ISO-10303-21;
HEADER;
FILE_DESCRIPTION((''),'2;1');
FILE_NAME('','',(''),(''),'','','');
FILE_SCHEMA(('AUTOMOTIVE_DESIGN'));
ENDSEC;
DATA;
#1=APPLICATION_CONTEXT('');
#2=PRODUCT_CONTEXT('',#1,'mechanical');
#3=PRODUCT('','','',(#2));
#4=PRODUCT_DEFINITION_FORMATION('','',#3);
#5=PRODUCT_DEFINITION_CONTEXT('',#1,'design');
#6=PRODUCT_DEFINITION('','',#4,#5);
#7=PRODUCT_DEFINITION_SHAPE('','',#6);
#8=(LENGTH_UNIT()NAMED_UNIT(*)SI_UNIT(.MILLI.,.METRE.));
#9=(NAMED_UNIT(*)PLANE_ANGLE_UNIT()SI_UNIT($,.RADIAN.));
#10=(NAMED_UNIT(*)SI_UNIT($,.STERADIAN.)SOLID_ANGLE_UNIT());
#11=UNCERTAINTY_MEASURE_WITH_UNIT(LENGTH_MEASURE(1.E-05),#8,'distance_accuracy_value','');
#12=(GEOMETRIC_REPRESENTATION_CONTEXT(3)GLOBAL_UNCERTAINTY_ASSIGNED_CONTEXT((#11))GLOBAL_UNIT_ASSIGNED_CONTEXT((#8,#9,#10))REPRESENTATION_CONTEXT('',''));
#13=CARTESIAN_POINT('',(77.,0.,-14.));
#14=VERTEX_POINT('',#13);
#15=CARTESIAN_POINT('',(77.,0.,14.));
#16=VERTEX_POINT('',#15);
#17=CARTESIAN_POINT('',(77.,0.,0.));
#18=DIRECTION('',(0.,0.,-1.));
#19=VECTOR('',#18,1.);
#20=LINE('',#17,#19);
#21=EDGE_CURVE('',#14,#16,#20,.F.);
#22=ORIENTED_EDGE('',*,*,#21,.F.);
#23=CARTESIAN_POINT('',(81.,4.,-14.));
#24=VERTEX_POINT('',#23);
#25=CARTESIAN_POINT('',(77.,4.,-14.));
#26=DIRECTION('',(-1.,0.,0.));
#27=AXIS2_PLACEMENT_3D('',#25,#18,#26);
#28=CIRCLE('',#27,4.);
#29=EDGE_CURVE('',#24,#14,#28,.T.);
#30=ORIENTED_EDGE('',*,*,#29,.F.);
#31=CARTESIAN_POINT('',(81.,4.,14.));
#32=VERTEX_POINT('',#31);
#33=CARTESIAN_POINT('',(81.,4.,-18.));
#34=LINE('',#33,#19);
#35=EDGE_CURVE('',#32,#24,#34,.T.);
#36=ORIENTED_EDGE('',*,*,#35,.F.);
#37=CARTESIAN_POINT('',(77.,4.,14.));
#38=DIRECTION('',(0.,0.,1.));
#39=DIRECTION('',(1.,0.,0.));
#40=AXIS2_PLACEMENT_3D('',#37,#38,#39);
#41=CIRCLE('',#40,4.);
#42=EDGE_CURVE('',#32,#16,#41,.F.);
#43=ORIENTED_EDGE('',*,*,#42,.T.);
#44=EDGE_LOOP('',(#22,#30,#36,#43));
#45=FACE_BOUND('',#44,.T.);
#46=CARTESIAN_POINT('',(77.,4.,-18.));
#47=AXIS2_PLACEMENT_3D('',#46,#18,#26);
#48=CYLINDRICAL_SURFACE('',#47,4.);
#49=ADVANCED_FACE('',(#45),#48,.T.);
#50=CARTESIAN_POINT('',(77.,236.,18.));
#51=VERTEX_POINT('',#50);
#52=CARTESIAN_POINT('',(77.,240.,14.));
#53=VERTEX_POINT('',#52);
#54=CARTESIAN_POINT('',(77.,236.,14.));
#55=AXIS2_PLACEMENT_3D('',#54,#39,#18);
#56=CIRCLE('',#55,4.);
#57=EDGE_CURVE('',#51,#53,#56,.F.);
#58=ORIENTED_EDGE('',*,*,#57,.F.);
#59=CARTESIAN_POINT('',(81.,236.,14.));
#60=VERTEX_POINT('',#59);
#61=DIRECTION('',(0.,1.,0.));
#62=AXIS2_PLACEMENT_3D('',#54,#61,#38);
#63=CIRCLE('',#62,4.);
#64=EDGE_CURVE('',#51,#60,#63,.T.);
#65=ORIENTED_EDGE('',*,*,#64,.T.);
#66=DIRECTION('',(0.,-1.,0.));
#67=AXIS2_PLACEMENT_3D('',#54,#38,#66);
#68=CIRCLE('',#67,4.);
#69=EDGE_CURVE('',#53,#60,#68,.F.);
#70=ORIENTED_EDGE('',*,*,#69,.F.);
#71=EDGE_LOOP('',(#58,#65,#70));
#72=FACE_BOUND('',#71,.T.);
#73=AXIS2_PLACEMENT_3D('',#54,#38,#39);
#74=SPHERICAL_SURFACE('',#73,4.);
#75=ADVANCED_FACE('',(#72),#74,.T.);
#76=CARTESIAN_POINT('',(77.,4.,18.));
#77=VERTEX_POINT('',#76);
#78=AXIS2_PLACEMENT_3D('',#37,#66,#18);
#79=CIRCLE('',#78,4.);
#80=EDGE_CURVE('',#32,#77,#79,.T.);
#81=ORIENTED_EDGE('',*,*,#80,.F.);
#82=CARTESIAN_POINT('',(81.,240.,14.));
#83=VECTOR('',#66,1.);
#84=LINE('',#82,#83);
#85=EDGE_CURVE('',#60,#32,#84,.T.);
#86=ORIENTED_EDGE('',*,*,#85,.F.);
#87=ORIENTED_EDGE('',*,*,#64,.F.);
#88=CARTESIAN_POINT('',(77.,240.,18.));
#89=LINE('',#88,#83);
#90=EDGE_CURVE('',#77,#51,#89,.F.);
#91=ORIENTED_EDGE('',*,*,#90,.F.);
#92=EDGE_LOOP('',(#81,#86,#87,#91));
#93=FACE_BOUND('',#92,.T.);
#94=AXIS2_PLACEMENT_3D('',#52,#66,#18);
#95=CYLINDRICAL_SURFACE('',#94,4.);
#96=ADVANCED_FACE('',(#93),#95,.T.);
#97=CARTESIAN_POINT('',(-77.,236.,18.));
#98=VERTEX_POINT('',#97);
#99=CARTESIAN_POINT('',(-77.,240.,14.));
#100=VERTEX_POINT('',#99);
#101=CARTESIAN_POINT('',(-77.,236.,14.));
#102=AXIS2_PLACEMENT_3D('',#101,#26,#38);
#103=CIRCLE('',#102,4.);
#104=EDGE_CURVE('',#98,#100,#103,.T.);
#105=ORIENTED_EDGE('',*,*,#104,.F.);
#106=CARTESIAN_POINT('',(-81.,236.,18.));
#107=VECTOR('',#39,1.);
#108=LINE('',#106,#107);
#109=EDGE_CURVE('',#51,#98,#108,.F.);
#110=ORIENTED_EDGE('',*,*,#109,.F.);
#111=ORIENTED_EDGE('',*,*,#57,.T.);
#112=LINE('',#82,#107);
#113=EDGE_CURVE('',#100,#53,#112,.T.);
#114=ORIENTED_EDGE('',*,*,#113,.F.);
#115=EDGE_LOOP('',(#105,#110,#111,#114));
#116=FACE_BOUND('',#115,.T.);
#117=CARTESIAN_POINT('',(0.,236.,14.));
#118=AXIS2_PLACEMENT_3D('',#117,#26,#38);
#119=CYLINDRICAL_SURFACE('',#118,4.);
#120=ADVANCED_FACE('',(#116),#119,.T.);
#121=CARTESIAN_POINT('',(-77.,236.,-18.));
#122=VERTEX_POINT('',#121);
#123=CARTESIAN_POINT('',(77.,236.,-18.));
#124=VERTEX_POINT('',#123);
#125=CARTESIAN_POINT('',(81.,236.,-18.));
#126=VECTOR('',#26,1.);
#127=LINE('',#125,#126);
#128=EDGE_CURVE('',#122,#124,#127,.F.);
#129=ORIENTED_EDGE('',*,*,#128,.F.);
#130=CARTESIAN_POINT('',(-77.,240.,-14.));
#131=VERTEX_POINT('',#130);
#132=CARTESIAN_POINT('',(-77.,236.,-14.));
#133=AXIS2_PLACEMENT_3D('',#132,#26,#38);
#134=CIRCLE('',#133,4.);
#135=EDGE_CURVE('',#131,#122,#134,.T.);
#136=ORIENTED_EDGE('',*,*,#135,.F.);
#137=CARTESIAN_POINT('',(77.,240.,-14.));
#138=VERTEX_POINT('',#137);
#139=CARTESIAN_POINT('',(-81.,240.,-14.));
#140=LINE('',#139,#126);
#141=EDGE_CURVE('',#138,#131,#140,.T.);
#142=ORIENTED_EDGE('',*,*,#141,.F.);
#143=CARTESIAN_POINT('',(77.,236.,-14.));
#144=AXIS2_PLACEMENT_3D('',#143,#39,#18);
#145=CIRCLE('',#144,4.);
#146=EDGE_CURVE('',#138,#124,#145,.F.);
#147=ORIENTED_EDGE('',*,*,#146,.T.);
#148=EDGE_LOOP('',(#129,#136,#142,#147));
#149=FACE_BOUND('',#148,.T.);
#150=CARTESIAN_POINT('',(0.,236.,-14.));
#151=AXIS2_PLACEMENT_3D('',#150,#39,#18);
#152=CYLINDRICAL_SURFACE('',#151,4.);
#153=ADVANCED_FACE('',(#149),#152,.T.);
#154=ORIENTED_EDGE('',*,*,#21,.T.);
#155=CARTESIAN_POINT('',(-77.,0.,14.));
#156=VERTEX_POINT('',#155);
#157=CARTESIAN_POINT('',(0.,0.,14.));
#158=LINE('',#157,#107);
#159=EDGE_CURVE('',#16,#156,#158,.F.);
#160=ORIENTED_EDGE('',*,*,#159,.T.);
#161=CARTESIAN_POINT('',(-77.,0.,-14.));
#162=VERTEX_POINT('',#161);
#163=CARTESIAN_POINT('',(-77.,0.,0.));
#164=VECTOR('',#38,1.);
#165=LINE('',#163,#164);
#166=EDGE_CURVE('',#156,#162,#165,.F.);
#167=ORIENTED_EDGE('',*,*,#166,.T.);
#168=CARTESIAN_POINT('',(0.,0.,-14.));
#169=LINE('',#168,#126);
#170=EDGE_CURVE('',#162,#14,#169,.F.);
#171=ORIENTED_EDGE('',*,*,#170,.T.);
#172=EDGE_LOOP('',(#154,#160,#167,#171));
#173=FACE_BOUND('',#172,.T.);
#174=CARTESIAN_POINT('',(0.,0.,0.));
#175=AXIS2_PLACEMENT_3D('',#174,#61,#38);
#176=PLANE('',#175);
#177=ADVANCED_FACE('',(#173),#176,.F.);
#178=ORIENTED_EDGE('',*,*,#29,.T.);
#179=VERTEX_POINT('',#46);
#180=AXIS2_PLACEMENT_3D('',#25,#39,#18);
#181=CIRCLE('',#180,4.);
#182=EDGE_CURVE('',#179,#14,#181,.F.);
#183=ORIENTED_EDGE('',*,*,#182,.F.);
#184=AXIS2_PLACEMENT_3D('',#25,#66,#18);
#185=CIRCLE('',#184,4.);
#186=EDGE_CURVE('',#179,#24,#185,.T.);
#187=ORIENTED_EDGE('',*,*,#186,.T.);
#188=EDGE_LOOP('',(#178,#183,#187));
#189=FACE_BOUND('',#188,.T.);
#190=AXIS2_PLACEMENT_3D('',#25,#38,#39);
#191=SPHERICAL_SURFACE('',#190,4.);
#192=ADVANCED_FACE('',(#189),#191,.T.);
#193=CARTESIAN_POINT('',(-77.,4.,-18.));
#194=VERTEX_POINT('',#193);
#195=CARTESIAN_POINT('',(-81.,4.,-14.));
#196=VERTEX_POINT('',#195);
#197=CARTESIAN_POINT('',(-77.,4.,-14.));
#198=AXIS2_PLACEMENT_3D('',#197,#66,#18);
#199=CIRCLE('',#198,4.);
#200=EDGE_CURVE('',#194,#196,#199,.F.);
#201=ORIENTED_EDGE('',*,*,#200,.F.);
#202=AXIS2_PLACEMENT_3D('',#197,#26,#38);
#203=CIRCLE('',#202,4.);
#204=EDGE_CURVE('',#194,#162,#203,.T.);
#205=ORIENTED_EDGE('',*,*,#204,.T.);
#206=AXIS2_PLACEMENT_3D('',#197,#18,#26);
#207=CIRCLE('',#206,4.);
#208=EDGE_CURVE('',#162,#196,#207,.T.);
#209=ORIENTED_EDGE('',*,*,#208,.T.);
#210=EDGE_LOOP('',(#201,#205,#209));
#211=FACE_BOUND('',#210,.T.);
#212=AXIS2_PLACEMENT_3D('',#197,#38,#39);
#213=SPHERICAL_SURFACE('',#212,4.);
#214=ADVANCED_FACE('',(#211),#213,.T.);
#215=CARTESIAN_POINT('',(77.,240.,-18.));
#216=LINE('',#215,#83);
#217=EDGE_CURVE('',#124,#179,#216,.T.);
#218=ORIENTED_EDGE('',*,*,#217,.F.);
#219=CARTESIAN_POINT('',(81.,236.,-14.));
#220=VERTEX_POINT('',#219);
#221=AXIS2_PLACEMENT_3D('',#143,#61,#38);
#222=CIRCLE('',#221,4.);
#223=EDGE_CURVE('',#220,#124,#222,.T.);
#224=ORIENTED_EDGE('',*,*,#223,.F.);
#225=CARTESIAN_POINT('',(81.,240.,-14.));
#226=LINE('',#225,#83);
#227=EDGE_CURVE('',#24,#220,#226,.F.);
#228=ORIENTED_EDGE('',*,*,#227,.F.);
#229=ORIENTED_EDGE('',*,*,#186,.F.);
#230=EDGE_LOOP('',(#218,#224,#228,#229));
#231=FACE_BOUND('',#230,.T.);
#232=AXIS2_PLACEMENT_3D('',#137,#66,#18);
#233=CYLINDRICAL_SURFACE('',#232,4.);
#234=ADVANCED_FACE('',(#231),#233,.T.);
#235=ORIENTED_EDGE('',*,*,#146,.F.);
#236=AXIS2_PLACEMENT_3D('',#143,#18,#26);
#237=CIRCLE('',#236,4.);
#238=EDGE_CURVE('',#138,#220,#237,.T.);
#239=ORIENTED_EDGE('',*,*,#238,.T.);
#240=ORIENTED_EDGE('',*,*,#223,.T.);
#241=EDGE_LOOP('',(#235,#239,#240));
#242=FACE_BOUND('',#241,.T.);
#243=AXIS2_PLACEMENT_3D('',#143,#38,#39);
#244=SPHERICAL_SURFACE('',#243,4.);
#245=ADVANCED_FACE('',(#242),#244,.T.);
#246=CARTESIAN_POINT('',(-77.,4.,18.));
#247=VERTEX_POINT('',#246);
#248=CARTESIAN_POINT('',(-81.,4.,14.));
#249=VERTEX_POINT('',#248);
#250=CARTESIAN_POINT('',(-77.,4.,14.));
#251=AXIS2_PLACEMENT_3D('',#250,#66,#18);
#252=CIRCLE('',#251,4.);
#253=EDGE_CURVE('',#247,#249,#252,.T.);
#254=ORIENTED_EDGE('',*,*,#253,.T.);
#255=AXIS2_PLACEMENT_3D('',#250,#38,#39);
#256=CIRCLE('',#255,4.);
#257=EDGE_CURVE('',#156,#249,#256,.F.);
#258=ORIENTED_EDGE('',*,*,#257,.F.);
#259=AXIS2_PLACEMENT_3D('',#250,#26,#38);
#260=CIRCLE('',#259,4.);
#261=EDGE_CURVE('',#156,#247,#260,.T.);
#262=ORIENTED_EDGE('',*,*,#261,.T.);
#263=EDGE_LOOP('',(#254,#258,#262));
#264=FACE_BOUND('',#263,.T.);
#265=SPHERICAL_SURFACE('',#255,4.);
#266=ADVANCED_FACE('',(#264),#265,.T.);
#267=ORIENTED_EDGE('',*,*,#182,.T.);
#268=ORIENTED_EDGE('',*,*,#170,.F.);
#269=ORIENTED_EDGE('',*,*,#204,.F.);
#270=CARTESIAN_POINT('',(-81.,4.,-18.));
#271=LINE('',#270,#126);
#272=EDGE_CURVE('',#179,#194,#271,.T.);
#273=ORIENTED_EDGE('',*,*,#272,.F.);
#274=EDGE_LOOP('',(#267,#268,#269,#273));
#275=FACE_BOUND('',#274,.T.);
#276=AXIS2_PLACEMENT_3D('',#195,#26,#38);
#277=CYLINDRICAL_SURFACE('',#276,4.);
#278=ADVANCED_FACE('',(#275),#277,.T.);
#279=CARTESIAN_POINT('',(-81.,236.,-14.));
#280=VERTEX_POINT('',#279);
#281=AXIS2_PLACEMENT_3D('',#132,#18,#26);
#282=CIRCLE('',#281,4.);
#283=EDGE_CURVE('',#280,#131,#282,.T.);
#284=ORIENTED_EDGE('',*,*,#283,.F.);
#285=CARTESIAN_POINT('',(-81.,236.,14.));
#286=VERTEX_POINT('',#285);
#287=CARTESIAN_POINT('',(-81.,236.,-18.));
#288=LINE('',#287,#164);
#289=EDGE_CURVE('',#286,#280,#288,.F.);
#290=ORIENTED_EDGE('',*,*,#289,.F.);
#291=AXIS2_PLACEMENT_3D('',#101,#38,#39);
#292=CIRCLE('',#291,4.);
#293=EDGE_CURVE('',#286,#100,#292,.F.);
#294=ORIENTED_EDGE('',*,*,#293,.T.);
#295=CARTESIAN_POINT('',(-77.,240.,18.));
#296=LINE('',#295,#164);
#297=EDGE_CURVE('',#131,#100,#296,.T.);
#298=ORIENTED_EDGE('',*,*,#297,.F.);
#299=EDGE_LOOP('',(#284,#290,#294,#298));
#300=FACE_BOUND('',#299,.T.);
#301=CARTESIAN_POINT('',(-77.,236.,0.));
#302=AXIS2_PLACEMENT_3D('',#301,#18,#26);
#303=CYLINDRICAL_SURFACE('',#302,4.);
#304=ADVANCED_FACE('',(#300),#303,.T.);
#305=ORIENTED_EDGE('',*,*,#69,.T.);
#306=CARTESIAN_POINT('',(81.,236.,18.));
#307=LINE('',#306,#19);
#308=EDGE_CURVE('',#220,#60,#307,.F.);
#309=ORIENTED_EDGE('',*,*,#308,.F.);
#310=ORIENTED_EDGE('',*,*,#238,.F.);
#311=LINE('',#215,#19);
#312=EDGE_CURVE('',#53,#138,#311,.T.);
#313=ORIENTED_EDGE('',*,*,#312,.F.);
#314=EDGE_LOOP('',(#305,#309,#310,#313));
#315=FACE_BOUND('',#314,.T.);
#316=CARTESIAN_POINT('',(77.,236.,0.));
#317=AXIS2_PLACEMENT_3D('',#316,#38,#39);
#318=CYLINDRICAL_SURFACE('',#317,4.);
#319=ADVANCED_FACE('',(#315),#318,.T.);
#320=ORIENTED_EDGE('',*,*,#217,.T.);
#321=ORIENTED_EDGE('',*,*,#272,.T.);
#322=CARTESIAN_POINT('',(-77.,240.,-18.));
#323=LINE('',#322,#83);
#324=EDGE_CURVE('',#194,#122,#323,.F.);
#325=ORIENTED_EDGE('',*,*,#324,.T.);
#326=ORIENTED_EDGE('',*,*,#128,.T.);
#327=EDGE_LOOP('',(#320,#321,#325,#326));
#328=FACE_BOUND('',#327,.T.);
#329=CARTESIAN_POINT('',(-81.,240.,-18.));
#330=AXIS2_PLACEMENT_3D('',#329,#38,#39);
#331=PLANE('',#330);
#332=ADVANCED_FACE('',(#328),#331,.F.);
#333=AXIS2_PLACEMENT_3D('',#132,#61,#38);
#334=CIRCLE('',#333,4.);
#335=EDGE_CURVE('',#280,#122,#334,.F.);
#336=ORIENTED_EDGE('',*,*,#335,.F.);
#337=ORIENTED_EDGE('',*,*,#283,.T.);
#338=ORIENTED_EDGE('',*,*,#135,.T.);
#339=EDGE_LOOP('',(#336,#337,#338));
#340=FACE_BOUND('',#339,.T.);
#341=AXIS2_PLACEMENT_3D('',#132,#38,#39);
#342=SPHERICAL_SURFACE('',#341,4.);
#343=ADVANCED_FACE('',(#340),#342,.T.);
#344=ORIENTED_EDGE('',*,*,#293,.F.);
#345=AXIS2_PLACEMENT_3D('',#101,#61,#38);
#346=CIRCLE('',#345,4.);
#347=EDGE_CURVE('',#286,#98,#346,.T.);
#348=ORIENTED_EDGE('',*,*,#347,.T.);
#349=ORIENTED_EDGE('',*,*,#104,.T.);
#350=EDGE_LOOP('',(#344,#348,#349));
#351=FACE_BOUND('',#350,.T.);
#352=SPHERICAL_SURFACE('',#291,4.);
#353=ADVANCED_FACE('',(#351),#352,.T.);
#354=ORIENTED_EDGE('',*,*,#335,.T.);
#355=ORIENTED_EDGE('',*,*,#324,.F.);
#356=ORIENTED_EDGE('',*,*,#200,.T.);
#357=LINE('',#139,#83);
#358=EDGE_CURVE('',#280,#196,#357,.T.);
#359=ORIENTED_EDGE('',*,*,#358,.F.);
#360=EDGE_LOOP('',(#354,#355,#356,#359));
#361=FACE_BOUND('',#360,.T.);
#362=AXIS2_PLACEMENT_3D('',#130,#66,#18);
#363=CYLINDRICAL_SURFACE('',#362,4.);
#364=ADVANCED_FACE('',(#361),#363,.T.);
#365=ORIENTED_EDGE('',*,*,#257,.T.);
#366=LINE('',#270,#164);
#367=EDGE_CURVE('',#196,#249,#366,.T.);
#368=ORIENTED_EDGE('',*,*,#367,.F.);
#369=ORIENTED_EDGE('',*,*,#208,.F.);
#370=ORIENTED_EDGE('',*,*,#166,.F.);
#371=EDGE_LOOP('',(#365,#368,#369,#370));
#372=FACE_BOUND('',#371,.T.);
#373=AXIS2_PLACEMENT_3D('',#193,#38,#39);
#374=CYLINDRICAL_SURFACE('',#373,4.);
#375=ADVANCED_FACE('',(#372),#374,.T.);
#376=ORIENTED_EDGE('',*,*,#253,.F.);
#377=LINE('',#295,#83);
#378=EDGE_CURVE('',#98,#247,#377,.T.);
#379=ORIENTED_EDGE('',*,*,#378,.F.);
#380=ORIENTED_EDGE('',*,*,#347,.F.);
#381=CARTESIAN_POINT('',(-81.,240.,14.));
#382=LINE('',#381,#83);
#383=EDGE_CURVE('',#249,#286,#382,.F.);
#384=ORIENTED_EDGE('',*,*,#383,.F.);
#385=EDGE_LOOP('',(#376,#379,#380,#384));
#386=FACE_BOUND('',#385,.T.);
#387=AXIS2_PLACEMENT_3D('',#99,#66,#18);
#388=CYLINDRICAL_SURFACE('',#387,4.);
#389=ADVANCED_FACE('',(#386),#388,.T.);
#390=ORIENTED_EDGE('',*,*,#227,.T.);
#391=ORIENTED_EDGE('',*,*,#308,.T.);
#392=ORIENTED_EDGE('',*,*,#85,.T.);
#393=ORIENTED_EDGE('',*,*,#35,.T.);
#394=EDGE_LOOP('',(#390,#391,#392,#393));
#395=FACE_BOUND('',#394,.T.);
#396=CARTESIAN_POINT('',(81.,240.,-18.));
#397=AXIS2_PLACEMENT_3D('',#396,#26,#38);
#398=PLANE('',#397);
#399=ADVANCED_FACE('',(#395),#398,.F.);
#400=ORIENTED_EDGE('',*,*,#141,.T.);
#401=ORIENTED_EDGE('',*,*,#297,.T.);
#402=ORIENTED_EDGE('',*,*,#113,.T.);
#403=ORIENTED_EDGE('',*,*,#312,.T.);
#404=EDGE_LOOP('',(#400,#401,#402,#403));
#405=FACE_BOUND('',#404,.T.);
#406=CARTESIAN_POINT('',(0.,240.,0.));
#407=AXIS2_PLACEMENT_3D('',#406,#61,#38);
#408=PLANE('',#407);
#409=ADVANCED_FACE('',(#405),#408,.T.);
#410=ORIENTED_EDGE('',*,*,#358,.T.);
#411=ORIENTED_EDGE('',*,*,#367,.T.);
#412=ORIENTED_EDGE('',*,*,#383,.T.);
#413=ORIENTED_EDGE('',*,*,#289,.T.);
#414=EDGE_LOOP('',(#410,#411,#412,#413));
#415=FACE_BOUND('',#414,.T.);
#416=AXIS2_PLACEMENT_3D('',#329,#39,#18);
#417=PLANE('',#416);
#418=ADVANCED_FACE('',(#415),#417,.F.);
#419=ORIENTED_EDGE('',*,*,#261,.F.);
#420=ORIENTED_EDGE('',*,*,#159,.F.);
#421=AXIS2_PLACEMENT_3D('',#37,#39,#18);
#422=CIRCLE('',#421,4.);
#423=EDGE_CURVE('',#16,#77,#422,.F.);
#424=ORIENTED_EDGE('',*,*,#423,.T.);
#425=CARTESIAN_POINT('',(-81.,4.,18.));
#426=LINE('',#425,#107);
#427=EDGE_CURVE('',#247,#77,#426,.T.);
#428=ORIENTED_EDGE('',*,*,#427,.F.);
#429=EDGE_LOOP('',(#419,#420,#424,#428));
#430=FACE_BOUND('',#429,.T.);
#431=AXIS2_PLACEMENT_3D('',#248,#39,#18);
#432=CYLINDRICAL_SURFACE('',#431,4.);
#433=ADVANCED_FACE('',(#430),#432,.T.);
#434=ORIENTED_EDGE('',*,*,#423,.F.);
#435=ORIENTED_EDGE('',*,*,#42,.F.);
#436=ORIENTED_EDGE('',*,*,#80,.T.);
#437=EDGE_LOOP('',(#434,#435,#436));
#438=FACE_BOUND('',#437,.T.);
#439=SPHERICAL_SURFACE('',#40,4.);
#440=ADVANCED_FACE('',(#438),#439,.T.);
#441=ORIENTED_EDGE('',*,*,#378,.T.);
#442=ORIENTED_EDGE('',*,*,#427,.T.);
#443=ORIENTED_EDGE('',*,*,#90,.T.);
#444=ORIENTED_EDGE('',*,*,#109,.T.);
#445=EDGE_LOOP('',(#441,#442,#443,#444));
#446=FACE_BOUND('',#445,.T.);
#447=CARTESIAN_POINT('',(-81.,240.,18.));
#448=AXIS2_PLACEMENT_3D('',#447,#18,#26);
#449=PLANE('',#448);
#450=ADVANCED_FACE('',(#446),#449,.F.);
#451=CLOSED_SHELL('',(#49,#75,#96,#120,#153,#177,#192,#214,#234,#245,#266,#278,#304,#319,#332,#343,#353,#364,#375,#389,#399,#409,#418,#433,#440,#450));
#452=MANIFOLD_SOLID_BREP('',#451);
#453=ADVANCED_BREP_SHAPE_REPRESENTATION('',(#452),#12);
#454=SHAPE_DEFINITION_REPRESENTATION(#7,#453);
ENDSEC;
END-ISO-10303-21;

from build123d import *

# Parameters (mm, degrees)
SKETCH2_W           = 162
SKETCH2_H           = 36
BOSS_EXTRUDE1_DEPTH = 240
FILLET1_R           = 4


with BuildPart() as part:
    # Sketch2 → Boss-Extrude1 (new body)
    with BuildSketch(Plane(origin=(0, 0, 0), x_dir=(1, 0, 0), z_dir=(0, 1, 0))):
        Rectangle(SKETCH2_W, SKETCH2_H)
    extrude(amount=BOSS_EXTRUDE1_DEPTH)

    # Fillet1
    fillet1_edges = [part.edges().sort_by_distance(p)[0] for p in [
        (-81, 240, 0),
        (0, 240, 18),
        (81, 240, 0),
        (0, 0, 18),
        (-81, 0, 0),
        (0, 0, -18),
        (81, 0, 0),
        (81, 120, 18),
        (-81, 120, 18),
        (-81, 120, -18),
        (81, 120, -18),
        (0, 240, -18),
    ]]
    fillet(fillet1_edges, radius=FILLET1_R)


solid = part.part
